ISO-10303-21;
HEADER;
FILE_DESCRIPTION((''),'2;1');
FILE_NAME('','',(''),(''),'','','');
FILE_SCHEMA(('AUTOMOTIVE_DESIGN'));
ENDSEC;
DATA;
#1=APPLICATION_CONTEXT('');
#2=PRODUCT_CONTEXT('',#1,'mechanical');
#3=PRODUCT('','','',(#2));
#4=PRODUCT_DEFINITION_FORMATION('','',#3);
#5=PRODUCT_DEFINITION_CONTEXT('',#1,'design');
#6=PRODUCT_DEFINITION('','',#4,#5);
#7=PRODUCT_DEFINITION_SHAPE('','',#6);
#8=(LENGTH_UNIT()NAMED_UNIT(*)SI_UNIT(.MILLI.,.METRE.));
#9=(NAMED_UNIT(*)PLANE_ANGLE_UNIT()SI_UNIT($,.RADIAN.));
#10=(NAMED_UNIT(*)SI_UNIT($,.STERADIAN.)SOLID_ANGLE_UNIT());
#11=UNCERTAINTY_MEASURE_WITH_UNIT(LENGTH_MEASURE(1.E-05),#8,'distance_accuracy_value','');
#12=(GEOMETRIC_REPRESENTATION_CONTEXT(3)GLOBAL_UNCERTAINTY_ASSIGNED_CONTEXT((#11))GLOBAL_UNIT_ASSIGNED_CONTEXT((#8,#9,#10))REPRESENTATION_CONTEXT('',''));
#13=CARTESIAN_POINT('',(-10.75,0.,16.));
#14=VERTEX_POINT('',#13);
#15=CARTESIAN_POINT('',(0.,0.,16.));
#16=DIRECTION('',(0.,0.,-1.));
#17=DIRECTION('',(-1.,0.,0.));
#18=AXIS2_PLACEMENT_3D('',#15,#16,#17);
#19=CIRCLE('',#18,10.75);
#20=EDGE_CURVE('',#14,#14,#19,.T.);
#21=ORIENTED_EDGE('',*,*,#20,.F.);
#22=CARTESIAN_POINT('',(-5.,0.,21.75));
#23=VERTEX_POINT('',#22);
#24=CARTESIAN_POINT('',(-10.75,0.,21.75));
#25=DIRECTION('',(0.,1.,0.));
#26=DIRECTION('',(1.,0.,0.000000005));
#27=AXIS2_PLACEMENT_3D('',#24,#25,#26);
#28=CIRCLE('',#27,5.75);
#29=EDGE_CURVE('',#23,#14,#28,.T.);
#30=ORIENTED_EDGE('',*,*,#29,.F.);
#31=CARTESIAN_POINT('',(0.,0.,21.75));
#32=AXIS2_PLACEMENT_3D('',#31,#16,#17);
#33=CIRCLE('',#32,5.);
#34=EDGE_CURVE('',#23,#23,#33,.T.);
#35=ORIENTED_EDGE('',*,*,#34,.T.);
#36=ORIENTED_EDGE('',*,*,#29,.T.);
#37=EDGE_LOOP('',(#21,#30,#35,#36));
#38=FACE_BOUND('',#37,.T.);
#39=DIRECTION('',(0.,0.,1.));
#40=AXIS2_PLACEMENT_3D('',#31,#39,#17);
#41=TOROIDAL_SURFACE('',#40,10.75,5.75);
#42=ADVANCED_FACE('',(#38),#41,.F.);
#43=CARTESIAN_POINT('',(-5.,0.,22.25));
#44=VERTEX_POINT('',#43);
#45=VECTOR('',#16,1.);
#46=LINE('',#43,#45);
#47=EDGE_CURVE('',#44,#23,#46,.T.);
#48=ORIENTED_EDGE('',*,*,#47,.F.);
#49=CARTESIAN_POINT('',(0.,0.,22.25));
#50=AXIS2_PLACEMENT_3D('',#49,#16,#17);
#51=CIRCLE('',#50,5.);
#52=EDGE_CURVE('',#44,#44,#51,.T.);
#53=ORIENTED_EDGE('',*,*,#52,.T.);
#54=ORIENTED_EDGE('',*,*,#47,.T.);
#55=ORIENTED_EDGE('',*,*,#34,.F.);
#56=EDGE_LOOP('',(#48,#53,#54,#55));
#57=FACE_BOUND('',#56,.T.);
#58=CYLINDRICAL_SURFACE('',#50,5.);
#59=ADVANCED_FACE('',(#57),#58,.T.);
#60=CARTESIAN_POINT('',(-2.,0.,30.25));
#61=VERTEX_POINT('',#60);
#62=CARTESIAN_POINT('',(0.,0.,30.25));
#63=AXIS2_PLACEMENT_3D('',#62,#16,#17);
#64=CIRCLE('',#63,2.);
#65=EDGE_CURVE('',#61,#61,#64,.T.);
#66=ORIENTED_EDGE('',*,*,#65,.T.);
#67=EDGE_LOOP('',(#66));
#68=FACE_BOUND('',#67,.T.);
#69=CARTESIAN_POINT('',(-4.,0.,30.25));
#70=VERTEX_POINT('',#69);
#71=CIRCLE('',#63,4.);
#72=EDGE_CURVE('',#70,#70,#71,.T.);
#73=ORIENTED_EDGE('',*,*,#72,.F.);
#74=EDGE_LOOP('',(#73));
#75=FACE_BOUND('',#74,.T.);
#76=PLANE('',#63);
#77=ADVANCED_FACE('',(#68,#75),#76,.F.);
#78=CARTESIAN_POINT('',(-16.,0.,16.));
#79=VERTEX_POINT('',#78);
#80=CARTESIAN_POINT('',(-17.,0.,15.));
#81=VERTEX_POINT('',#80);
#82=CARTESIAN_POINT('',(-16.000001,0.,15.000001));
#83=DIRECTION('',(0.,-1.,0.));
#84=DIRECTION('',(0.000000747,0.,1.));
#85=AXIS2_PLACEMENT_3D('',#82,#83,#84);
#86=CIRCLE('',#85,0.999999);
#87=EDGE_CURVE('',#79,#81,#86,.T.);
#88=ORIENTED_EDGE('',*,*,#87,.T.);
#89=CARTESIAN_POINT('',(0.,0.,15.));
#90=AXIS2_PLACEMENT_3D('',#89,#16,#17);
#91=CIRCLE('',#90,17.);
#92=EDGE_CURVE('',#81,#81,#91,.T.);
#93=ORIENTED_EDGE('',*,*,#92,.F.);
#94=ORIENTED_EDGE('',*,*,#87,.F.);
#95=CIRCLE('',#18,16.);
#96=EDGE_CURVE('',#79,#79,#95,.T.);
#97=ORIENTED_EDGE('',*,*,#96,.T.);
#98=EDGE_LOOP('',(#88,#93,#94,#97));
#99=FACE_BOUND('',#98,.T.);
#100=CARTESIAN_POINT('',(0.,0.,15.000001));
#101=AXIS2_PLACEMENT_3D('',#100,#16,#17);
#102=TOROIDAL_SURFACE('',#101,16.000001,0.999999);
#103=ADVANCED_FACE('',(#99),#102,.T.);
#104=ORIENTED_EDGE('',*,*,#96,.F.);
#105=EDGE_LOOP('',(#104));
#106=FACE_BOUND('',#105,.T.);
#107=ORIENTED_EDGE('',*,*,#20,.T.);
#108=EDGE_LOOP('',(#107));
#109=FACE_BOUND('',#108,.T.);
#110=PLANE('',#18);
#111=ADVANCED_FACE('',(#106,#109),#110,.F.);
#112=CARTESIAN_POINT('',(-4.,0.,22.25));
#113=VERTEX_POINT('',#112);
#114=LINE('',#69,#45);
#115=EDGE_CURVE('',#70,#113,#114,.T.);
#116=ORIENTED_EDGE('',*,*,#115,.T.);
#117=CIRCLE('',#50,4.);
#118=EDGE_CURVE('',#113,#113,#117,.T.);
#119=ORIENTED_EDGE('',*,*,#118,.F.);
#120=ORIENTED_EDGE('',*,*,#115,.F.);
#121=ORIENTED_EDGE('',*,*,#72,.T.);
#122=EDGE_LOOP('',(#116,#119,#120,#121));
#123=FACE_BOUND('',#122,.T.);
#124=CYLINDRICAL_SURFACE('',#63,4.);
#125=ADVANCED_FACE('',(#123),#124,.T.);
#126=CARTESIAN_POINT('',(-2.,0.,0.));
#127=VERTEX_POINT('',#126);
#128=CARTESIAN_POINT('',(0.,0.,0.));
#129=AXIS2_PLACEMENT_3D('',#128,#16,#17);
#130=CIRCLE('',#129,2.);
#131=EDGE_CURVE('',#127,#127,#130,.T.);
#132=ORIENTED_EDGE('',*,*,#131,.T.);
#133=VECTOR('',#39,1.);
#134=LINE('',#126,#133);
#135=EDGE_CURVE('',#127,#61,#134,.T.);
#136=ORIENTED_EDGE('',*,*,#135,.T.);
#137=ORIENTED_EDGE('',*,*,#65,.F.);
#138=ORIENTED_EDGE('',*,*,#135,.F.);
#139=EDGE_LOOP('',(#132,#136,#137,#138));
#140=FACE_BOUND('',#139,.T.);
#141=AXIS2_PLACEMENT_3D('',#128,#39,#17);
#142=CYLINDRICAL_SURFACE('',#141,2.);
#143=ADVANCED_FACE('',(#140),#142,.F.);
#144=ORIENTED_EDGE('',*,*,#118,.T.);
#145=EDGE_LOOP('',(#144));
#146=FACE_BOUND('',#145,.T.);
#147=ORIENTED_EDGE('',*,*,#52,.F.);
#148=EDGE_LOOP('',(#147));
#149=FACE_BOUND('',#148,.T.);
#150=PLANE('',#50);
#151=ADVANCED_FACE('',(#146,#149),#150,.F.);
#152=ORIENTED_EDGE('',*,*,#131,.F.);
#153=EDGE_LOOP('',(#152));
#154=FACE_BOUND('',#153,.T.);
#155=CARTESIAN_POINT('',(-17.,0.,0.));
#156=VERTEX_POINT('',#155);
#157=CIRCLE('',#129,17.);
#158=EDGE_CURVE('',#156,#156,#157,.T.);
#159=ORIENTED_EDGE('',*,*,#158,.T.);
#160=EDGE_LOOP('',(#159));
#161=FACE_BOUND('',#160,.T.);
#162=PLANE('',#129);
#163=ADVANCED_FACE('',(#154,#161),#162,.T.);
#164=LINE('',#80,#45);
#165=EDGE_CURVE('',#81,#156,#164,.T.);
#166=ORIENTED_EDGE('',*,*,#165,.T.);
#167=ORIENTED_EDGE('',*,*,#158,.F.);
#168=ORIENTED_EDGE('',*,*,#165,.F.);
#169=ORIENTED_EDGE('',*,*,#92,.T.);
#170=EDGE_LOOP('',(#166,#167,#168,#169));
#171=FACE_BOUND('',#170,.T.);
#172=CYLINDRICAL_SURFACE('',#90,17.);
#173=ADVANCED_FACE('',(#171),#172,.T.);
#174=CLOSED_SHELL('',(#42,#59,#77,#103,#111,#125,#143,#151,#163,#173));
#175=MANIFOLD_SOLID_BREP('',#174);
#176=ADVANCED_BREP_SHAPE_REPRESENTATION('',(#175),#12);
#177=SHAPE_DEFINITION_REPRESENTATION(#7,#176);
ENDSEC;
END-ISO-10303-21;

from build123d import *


with BuildPart() as f1:
    # F0 (on Front) → F1 (revolve)
    with BuildSketch(Plane.XZ):
        with BuildLine():
            Line((-17, 15), (-17, 0))
            Line((-17, 0), (-2, 0))
            Line((-2, 0), (-2, 30.25))
            Line((-2, 30.25), (-4, 30.25))
            Line((-4, 30.25), (-4, 22.25))
            Line((-4, 22.25), (-5, 22.25))
            Line((-5, 22.25), (-5, 21.75))
            ThreePointArc((-5, 21.75), (-6.684136, 17.684136), (-10.75, 16))
            Line((-10.75, 16), (-16, 16))
            ThreePointArc((-16, 16), (-16.707107, 15.707107), (-17, 15))
        make_face()
    revolve(axis=Axis((0, 0, 15.125), (0, 0, -1)))


solid = f1.part
